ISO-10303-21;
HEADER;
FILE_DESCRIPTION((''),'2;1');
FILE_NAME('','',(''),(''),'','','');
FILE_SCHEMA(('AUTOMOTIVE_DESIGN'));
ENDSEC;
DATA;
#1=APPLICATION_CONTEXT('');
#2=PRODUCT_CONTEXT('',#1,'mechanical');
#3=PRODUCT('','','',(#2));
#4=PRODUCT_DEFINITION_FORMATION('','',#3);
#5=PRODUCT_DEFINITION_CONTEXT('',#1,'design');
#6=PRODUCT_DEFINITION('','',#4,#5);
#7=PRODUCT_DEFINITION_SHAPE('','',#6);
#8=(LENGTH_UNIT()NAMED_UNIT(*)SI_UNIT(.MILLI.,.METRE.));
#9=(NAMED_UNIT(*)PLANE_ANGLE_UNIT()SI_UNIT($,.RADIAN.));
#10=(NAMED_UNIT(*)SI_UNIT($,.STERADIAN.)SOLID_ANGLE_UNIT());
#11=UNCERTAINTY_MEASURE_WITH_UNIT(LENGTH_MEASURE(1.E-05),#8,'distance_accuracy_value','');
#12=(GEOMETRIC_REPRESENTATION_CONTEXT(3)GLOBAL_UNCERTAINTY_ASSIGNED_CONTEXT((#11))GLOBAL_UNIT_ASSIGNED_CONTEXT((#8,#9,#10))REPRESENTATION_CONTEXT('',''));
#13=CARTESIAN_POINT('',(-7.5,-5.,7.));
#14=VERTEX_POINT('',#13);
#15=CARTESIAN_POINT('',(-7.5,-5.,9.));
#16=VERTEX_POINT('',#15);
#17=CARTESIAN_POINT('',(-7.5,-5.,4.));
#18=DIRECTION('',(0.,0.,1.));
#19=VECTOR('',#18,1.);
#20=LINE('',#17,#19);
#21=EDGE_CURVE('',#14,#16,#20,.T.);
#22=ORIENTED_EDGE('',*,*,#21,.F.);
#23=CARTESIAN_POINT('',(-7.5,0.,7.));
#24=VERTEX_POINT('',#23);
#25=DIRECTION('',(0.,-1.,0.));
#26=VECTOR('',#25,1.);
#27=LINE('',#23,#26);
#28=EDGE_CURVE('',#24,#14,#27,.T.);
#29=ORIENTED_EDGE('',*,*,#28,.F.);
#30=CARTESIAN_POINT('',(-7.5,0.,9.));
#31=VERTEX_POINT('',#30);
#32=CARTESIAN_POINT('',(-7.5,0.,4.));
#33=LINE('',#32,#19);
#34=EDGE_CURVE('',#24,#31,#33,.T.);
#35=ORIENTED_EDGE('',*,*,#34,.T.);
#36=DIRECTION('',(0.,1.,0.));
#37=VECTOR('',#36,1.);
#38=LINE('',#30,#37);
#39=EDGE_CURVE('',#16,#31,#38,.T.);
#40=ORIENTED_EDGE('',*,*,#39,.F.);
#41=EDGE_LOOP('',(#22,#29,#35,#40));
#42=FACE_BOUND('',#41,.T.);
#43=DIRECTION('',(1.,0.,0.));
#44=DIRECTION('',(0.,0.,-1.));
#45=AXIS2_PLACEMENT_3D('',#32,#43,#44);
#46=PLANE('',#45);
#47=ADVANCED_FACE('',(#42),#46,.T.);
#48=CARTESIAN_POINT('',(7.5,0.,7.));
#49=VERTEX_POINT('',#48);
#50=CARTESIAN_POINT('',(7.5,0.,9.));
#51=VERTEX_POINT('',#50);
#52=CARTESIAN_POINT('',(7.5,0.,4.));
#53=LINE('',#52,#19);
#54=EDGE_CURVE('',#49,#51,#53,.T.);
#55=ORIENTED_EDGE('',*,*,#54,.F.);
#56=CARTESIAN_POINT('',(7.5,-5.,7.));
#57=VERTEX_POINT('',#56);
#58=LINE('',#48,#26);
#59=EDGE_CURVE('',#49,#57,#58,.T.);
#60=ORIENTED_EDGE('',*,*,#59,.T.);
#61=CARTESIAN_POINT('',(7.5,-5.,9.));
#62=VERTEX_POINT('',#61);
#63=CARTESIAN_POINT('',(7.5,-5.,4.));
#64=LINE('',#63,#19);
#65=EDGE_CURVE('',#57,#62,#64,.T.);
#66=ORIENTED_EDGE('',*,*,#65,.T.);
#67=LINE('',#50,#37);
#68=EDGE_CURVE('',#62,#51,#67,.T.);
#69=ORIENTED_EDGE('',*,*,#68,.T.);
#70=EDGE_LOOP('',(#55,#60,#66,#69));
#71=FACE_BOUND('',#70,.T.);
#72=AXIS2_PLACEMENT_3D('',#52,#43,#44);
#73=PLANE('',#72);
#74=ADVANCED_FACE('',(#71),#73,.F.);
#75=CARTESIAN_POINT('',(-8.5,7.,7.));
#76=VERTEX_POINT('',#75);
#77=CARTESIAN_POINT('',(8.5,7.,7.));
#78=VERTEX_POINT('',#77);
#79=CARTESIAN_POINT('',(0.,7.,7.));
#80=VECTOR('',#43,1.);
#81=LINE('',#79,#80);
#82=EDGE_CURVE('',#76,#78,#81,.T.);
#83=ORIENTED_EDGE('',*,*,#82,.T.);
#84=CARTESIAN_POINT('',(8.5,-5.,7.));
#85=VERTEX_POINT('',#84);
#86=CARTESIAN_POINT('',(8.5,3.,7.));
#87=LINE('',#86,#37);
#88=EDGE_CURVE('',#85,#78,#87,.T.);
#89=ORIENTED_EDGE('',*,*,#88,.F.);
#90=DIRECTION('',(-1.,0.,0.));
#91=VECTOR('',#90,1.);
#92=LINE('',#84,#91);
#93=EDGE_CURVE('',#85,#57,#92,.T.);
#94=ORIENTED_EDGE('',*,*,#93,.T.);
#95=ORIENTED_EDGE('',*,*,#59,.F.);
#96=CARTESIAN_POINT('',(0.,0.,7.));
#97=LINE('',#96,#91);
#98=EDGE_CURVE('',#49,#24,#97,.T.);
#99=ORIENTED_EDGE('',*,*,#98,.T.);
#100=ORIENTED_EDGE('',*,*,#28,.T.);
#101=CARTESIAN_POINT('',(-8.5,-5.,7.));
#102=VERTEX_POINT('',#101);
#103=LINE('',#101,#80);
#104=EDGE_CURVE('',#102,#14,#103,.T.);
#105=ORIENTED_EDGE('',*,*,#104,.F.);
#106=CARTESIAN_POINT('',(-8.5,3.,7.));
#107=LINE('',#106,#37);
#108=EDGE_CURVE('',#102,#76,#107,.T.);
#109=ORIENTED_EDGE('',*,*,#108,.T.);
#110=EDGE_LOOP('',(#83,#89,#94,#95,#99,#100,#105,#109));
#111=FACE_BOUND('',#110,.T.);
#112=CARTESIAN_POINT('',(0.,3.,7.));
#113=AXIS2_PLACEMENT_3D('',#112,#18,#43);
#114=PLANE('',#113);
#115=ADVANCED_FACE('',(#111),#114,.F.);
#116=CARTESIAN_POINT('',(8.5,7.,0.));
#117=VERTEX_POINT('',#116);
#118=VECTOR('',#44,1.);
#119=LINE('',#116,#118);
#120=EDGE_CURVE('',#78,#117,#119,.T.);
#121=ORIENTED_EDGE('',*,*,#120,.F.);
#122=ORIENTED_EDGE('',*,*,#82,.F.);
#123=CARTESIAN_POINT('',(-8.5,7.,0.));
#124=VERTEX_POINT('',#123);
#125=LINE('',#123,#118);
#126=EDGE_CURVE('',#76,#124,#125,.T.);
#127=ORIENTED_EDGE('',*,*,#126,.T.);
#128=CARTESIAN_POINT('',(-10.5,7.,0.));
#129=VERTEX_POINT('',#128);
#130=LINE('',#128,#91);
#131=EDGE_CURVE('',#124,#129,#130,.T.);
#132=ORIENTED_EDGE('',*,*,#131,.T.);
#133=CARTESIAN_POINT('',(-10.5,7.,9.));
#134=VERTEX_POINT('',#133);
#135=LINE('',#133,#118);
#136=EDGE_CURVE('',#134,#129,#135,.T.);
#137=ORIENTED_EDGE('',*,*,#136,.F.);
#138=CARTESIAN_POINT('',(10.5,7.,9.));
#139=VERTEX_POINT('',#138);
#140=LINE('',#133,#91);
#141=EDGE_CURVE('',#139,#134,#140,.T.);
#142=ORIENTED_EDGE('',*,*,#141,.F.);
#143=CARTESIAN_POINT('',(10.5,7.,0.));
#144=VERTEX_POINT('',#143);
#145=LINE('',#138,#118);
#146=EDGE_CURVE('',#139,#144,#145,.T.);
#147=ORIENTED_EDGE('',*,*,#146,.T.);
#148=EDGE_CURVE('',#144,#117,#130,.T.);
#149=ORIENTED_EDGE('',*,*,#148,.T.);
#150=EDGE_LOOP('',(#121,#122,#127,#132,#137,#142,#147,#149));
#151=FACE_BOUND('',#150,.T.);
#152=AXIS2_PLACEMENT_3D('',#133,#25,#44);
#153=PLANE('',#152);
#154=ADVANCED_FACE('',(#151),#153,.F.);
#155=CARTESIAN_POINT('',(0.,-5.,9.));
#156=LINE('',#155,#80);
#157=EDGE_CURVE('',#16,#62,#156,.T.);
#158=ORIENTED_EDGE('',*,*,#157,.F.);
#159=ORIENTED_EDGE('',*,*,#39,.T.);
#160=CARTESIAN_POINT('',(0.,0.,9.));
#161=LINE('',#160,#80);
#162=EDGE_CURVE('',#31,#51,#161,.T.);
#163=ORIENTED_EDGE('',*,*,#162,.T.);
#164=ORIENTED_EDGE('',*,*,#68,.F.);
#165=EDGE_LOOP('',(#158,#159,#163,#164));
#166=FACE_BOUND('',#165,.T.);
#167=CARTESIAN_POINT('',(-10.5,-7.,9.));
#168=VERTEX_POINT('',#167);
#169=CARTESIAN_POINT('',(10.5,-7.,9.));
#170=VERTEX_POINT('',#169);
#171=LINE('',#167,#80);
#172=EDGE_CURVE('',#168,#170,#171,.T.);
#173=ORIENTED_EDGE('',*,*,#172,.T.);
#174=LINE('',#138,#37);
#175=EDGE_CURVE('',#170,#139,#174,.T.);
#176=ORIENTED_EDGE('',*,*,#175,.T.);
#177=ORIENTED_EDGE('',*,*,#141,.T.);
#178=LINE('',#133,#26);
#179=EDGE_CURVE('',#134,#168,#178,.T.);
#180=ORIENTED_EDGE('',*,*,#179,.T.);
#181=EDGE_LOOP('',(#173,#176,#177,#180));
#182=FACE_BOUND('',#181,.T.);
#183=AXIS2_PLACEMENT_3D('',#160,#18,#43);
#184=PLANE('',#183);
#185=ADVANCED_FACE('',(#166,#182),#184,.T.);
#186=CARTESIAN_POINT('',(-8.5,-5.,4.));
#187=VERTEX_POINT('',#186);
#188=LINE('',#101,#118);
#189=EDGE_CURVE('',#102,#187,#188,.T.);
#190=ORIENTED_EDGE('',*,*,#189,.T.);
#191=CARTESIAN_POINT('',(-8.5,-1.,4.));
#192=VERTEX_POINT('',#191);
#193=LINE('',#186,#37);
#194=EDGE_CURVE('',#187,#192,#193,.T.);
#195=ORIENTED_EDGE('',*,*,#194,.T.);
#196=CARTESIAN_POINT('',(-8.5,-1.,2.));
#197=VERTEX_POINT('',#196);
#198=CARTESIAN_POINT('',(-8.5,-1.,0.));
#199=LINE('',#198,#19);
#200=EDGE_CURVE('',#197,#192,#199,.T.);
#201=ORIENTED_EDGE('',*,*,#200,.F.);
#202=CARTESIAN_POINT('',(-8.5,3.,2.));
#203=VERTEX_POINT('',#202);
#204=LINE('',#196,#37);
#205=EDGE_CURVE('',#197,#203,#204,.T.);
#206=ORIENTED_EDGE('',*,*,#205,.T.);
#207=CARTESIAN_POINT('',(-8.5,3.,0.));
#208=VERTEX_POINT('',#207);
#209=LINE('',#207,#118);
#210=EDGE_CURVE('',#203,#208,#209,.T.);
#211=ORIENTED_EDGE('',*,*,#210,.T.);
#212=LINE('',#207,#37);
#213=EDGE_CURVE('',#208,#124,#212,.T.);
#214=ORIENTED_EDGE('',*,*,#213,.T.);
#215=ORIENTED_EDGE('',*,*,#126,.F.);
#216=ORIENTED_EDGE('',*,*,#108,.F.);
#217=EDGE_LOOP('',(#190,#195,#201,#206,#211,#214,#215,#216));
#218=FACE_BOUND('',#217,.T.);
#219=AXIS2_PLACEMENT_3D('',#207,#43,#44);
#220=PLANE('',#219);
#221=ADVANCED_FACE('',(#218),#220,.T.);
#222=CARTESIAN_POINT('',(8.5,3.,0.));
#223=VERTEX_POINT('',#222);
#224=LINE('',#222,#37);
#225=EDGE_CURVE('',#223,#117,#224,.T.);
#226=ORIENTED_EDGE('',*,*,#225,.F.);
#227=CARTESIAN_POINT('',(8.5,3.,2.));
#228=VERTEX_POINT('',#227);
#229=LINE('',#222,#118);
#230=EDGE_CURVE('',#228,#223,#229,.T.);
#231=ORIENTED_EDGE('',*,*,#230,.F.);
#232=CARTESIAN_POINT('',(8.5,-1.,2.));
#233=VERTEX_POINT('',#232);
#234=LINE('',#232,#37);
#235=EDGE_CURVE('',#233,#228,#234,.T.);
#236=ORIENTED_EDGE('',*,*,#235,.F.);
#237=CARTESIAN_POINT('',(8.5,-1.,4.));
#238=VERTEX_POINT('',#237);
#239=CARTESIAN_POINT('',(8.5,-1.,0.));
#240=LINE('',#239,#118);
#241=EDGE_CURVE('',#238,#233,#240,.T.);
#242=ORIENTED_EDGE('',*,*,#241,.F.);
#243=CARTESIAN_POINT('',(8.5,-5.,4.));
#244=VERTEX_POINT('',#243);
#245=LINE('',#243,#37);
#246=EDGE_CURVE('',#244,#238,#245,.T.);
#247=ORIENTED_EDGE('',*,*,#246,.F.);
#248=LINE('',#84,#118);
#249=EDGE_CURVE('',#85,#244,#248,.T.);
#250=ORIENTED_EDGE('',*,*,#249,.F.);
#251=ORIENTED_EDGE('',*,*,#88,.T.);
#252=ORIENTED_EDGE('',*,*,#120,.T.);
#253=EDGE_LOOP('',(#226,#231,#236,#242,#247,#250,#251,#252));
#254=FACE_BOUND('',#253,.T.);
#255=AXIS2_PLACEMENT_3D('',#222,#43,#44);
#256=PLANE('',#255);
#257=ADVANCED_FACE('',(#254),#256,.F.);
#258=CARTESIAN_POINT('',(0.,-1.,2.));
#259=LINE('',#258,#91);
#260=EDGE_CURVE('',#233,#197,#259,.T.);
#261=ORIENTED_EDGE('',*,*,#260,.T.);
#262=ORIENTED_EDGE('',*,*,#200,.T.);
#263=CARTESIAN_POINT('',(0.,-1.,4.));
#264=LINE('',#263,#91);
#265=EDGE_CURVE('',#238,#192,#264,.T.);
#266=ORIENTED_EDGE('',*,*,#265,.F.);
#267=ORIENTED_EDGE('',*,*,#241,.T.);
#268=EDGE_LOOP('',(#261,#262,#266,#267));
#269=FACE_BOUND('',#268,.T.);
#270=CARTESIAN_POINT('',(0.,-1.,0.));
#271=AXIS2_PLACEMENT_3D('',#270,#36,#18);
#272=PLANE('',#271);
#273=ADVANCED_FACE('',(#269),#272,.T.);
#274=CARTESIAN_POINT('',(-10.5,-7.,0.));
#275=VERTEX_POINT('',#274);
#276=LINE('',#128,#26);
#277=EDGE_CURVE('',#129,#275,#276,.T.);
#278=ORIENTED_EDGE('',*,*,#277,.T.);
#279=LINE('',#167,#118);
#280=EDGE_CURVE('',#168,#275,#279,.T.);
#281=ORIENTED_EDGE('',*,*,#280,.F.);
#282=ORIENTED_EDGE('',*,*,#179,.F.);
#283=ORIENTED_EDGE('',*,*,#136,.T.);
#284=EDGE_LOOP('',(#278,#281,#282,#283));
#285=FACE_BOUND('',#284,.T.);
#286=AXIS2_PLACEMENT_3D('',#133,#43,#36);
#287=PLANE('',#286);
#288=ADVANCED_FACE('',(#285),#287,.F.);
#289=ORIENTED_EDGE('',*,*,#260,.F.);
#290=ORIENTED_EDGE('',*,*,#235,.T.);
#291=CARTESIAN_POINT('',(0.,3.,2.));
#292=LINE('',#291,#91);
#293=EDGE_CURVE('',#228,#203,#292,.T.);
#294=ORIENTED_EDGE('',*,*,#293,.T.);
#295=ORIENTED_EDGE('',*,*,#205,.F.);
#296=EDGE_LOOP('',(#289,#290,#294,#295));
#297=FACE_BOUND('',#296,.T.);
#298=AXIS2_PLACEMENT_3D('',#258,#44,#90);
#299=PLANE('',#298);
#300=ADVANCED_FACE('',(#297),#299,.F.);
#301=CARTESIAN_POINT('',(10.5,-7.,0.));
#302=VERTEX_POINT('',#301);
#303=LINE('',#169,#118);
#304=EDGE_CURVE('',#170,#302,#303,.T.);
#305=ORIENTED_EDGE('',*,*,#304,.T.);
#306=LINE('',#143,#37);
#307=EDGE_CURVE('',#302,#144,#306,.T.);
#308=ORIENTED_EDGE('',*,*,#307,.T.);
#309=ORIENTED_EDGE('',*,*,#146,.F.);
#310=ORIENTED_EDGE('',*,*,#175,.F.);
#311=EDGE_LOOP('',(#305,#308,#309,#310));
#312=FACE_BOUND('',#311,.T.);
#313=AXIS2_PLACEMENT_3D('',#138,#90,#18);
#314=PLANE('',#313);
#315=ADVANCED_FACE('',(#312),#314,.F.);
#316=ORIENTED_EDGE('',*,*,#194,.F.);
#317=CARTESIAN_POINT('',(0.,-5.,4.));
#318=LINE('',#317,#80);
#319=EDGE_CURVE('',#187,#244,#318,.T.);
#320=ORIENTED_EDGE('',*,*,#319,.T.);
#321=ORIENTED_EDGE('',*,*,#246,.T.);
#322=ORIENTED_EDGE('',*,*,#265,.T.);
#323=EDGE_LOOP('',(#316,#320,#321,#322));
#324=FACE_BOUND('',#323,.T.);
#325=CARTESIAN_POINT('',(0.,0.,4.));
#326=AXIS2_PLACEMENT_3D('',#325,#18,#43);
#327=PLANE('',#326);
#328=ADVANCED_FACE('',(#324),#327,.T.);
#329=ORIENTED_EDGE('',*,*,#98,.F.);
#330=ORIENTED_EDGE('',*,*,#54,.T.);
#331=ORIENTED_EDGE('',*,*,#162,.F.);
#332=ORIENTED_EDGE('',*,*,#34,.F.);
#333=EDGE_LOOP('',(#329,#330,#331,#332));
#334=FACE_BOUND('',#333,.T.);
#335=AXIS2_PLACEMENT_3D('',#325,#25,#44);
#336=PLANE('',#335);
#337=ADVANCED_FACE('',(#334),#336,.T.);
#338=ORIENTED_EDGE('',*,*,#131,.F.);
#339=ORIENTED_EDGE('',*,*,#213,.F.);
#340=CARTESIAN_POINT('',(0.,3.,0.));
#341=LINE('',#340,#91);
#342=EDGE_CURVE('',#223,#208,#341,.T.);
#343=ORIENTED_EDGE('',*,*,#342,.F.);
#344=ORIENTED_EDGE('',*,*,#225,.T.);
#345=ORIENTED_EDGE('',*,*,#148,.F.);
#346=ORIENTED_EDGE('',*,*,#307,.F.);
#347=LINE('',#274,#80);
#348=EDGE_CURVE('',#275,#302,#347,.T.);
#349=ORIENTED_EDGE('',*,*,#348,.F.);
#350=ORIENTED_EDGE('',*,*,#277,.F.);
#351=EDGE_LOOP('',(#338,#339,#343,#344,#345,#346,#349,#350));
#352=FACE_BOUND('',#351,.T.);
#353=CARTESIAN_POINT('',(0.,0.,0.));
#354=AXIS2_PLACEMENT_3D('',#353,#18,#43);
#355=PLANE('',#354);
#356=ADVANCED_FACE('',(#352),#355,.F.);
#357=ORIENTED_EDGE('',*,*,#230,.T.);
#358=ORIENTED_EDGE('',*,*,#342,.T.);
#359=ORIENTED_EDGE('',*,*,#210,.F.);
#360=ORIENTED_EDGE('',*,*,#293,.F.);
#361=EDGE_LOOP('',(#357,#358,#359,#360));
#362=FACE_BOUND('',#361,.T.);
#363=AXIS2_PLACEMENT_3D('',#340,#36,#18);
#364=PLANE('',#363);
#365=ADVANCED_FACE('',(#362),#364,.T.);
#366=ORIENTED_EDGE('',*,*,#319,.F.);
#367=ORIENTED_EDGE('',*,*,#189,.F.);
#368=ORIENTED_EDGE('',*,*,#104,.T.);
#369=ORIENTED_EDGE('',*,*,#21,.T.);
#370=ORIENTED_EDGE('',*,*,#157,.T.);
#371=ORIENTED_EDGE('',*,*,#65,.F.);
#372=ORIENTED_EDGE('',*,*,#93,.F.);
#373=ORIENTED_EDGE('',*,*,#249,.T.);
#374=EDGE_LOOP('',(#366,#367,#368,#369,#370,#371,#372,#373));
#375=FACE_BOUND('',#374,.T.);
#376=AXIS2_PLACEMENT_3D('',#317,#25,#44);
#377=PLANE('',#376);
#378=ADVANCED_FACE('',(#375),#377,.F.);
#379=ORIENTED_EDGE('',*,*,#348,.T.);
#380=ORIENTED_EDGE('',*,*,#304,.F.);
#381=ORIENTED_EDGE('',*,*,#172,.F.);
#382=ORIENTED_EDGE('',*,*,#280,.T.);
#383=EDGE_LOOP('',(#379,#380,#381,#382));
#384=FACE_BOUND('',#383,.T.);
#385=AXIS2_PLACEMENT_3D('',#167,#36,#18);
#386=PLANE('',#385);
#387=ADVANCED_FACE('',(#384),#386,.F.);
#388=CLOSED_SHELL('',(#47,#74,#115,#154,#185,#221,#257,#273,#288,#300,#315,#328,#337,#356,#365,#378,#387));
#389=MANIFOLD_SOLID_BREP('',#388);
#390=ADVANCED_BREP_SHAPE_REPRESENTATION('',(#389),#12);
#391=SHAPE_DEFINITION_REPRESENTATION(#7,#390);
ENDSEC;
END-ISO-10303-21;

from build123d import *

# Parameters (mm, degrees)
SKETCH2_W           = 21
SKETCH2_H           = 14
BOSS_EXTRUDE1_DEPTH = 9
SKETCH3_W           = 15
SKETCH3_H           = 5
CUT_EXTRUDE1_DEPTH  = 5
SKETCH6_W           = 17
SKETCH6_H           = 7
CUT_EXTRUDE3_DEPTH  = 4
SKETCH7_W           = 17
SKETCH7_H           = 5
CUT_EXTRUDE4_DEPTH  = 4
SKETCH8_W           = 1
SKETCH8_H           = 3
CUT_EXTRUDE6_DEPTH  = 4


with BuildPart() as part:
    # Sketch2 → Boss-Extrude1 (new body)
    with BuildSketch(Plane.XY):
        Rectangle(SKETCH2_W, SKETCH2_H)
    extrude(amount=BOSS_EXTRUDE1_DEPTH)

    # Sketch3 → Cut-Extrude1 (cut)
    with BuildSketch(Plane.XY.offset(9)):
        with Locations((0, -2.5)):
            Rectangle(SKETCH3_W, SKETCH3_H)
    extrude(amount=-CUT_EXTRUDE1_DEPTH, mode=Mode.SUBTRACT)

    # Sketch6 → Cut-Extrude3 (cut)
    with BuildSketch(Plane(origin=(0, 7, 0), x_dir=(1, 0, 0), z_dir=(0, 1, 0))):
        with Locations((0, -3.5)):
            Rectangle(SKETCH6_W, SKETCH6_H)
    extrude(amount=-CUT_EXTRUDE3_DEPTH, mode=Mode.SUBTRACT)

    # Sketch7 → Cut-Extrude4 (cut)
    with BuildSketch(Plane(origin=(0, 3, 0), x_dir=(1, 0, 0), z_dir=(0, 1, 0))):
        with Locations((0, -4.5)):
            Rectangle(SKETCH7_W, SKETCH7_H)
    extrude(amount=-CUT_EXTRUDE4_DEPTH, mode=Mode.SUBTRACT)

    # Sketch8 → Cut-Extrude6 (cut)
    with BuildSketch(Plane(origin=(0, -1, 0), x_dir=(1, 0, 0), z_dir=(0, 1, 0))):
        with Locations((-8, -5.5)):
            Rectangle(SKETCH8_W, SKETCH8_H)
        with Locations((8, -5.5)):
            Rectangle(SKETCH8_W, SKETCH8_H)
    extrude(amount=-CUT_EXTRUDE6_DEPTH, mode=Mode.SUBTRACT)


solid = part.part
